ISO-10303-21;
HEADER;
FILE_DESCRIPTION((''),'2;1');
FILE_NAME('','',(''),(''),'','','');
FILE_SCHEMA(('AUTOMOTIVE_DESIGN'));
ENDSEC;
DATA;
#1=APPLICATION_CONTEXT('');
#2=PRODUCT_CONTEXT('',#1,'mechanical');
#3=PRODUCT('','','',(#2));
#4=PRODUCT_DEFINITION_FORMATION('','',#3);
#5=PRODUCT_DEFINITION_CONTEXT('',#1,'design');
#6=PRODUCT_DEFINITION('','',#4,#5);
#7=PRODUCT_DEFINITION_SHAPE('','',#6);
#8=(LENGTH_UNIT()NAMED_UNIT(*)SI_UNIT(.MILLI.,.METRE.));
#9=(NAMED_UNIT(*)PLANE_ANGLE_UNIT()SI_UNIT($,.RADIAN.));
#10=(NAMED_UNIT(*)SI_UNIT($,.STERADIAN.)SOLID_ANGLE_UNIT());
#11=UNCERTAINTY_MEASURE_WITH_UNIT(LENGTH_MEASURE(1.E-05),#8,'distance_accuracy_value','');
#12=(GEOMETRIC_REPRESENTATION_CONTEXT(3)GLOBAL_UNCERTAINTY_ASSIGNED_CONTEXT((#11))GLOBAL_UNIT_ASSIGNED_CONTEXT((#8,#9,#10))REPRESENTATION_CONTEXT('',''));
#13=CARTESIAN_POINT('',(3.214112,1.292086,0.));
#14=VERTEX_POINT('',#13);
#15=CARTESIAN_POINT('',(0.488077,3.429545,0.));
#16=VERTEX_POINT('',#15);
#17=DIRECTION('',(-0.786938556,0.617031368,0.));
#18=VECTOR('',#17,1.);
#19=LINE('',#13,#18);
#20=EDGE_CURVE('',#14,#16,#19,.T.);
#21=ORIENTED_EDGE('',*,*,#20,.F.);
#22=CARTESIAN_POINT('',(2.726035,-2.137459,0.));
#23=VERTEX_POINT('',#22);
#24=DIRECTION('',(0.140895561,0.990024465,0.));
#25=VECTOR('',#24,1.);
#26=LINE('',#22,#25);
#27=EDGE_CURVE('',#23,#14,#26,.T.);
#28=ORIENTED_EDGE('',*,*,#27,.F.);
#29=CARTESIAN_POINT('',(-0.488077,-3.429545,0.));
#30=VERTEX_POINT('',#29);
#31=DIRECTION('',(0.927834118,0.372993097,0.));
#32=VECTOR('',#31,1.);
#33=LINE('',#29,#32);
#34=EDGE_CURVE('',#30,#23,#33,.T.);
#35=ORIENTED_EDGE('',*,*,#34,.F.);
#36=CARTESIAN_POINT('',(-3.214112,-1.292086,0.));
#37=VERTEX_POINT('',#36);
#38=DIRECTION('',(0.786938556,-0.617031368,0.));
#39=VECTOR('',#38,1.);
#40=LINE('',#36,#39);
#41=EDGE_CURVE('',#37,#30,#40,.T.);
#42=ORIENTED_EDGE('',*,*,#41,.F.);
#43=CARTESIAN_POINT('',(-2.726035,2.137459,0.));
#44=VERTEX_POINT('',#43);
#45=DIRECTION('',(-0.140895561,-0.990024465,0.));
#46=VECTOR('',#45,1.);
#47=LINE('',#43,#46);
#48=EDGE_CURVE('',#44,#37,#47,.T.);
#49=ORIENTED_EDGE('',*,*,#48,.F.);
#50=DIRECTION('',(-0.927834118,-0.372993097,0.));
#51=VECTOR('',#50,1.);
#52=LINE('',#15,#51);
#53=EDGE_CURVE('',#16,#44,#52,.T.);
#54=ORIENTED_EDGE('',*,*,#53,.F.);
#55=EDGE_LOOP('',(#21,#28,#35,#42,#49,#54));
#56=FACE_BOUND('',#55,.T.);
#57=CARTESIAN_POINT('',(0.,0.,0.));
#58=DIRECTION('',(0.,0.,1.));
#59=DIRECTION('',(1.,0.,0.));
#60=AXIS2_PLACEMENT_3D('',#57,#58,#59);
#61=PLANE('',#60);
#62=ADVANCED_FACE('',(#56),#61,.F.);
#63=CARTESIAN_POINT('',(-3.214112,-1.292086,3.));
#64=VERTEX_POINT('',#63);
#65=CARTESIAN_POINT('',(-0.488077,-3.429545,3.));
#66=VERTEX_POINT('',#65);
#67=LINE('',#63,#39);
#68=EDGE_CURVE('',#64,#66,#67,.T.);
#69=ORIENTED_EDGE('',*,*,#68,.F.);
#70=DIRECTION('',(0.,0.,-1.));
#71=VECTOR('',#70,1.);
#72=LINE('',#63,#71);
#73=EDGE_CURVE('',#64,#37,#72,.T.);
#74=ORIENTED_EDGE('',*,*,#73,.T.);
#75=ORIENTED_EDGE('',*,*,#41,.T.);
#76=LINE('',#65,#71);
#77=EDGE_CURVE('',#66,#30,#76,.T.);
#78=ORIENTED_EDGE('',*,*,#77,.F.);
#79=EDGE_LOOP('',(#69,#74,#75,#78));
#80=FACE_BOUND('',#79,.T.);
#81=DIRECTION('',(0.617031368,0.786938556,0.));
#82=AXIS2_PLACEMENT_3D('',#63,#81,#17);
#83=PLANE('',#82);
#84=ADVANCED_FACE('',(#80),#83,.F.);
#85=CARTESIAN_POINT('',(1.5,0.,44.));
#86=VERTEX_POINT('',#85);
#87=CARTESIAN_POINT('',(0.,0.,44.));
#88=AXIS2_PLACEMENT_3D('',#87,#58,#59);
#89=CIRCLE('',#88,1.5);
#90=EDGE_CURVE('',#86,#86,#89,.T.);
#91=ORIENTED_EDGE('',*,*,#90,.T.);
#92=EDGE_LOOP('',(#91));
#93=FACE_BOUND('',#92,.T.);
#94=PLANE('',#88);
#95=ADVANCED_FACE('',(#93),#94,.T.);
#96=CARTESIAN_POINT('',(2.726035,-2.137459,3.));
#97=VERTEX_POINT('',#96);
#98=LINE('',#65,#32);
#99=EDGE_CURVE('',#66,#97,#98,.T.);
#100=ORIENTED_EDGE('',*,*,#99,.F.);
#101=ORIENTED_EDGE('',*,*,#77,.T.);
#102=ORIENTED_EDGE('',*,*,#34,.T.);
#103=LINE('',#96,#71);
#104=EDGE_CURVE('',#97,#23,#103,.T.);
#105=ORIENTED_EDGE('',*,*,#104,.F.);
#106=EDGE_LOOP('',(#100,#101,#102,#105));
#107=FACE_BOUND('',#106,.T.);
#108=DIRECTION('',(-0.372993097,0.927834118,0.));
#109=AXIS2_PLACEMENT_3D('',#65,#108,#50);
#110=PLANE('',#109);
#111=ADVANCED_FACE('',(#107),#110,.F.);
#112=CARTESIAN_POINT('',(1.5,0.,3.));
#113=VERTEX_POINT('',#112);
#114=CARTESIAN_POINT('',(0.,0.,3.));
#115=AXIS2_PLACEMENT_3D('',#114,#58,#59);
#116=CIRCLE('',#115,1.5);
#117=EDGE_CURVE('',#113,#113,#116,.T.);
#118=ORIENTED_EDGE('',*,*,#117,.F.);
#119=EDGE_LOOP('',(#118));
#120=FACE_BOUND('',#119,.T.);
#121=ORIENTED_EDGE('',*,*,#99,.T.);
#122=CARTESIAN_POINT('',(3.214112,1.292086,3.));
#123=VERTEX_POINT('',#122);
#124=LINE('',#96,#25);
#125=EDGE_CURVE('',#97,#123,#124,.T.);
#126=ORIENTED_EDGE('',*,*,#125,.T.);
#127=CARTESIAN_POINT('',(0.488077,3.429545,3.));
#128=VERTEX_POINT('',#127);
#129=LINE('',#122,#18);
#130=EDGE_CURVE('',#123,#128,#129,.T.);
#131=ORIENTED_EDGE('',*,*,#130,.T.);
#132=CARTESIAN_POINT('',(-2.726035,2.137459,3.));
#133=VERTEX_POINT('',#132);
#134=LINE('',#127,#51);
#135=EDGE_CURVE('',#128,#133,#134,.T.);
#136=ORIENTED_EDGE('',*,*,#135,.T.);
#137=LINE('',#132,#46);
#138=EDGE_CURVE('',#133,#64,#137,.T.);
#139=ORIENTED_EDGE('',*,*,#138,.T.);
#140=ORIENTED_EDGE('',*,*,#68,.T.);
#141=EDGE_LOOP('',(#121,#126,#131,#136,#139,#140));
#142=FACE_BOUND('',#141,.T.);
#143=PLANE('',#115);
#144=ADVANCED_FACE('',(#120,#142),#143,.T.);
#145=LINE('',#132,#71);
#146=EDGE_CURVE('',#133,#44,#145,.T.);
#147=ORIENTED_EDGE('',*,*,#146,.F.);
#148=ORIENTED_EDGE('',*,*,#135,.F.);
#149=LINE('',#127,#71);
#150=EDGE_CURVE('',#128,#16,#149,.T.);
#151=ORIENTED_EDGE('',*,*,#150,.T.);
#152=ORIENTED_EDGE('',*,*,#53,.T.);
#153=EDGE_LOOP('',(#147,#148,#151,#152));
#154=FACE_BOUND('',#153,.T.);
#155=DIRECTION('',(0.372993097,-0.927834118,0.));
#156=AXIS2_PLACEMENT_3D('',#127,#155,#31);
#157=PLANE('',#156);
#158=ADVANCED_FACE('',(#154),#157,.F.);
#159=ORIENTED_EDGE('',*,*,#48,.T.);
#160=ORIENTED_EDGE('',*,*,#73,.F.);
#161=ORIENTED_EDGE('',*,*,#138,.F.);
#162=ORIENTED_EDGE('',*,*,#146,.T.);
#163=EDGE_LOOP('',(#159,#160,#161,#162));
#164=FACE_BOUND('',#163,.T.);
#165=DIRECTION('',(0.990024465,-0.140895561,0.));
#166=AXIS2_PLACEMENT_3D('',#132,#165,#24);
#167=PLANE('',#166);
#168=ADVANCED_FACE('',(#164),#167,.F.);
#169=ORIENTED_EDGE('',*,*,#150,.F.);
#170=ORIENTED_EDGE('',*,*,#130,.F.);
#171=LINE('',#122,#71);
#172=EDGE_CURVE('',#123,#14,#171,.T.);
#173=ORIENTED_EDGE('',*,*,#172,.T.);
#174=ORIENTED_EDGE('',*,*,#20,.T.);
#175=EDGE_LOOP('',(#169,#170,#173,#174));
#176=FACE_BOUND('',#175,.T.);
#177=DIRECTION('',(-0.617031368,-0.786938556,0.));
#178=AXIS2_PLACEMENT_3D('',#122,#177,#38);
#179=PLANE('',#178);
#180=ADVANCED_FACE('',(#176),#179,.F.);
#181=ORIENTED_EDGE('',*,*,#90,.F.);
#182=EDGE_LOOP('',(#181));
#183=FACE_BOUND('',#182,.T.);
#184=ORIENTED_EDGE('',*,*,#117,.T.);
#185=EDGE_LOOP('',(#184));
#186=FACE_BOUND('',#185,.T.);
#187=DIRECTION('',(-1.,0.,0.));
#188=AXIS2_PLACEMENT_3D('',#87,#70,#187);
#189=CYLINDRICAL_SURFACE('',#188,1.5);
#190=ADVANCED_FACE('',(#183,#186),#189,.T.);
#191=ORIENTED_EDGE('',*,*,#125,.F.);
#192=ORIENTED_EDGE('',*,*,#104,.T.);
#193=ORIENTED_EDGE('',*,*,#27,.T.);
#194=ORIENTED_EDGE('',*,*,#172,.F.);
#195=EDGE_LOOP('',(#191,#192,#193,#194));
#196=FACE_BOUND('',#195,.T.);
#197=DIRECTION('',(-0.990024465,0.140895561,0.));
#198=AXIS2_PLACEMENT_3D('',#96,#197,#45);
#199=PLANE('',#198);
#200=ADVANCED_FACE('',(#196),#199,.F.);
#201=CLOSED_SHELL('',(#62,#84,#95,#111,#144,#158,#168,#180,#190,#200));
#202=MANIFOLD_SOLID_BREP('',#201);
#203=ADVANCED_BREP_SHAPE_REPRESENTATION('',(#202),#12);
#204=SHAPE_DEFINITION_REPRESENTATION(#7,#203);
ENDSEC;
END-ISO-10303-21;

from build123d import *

# Parameters (mm, degrees)
BOSS_EXTRUDE1_DEPTH = 3
SKETCH3_R           = 1.5
BOSS_EXTRUDE2_DEPTH = 41


with BuildPart() as part:
    # Sketch1 → Boss-Extrude1 (new body)
    with BuildSketch(Plane.XY):
        Polygon((-2.726035123, 2.137459358), (-3.214111665, -1.292085989), (-0.488076542, -3.429545347), (2.726035123, -2.137459358), (3.214111665, 1.292085989), (0.488076542, 3.429545347), align=None)
    extrude(amount=BOSS_EXTRUDE1_DEPTH)

    # Sketch3 → Boss-Extrude2 (add)
    with BuildSketch(Plane.XY.offset(3)):
        Circle(SKETCH3_R)
    extrude(amount=BOSS_EXTRUDE2_DEPTH)


solid = part.part
